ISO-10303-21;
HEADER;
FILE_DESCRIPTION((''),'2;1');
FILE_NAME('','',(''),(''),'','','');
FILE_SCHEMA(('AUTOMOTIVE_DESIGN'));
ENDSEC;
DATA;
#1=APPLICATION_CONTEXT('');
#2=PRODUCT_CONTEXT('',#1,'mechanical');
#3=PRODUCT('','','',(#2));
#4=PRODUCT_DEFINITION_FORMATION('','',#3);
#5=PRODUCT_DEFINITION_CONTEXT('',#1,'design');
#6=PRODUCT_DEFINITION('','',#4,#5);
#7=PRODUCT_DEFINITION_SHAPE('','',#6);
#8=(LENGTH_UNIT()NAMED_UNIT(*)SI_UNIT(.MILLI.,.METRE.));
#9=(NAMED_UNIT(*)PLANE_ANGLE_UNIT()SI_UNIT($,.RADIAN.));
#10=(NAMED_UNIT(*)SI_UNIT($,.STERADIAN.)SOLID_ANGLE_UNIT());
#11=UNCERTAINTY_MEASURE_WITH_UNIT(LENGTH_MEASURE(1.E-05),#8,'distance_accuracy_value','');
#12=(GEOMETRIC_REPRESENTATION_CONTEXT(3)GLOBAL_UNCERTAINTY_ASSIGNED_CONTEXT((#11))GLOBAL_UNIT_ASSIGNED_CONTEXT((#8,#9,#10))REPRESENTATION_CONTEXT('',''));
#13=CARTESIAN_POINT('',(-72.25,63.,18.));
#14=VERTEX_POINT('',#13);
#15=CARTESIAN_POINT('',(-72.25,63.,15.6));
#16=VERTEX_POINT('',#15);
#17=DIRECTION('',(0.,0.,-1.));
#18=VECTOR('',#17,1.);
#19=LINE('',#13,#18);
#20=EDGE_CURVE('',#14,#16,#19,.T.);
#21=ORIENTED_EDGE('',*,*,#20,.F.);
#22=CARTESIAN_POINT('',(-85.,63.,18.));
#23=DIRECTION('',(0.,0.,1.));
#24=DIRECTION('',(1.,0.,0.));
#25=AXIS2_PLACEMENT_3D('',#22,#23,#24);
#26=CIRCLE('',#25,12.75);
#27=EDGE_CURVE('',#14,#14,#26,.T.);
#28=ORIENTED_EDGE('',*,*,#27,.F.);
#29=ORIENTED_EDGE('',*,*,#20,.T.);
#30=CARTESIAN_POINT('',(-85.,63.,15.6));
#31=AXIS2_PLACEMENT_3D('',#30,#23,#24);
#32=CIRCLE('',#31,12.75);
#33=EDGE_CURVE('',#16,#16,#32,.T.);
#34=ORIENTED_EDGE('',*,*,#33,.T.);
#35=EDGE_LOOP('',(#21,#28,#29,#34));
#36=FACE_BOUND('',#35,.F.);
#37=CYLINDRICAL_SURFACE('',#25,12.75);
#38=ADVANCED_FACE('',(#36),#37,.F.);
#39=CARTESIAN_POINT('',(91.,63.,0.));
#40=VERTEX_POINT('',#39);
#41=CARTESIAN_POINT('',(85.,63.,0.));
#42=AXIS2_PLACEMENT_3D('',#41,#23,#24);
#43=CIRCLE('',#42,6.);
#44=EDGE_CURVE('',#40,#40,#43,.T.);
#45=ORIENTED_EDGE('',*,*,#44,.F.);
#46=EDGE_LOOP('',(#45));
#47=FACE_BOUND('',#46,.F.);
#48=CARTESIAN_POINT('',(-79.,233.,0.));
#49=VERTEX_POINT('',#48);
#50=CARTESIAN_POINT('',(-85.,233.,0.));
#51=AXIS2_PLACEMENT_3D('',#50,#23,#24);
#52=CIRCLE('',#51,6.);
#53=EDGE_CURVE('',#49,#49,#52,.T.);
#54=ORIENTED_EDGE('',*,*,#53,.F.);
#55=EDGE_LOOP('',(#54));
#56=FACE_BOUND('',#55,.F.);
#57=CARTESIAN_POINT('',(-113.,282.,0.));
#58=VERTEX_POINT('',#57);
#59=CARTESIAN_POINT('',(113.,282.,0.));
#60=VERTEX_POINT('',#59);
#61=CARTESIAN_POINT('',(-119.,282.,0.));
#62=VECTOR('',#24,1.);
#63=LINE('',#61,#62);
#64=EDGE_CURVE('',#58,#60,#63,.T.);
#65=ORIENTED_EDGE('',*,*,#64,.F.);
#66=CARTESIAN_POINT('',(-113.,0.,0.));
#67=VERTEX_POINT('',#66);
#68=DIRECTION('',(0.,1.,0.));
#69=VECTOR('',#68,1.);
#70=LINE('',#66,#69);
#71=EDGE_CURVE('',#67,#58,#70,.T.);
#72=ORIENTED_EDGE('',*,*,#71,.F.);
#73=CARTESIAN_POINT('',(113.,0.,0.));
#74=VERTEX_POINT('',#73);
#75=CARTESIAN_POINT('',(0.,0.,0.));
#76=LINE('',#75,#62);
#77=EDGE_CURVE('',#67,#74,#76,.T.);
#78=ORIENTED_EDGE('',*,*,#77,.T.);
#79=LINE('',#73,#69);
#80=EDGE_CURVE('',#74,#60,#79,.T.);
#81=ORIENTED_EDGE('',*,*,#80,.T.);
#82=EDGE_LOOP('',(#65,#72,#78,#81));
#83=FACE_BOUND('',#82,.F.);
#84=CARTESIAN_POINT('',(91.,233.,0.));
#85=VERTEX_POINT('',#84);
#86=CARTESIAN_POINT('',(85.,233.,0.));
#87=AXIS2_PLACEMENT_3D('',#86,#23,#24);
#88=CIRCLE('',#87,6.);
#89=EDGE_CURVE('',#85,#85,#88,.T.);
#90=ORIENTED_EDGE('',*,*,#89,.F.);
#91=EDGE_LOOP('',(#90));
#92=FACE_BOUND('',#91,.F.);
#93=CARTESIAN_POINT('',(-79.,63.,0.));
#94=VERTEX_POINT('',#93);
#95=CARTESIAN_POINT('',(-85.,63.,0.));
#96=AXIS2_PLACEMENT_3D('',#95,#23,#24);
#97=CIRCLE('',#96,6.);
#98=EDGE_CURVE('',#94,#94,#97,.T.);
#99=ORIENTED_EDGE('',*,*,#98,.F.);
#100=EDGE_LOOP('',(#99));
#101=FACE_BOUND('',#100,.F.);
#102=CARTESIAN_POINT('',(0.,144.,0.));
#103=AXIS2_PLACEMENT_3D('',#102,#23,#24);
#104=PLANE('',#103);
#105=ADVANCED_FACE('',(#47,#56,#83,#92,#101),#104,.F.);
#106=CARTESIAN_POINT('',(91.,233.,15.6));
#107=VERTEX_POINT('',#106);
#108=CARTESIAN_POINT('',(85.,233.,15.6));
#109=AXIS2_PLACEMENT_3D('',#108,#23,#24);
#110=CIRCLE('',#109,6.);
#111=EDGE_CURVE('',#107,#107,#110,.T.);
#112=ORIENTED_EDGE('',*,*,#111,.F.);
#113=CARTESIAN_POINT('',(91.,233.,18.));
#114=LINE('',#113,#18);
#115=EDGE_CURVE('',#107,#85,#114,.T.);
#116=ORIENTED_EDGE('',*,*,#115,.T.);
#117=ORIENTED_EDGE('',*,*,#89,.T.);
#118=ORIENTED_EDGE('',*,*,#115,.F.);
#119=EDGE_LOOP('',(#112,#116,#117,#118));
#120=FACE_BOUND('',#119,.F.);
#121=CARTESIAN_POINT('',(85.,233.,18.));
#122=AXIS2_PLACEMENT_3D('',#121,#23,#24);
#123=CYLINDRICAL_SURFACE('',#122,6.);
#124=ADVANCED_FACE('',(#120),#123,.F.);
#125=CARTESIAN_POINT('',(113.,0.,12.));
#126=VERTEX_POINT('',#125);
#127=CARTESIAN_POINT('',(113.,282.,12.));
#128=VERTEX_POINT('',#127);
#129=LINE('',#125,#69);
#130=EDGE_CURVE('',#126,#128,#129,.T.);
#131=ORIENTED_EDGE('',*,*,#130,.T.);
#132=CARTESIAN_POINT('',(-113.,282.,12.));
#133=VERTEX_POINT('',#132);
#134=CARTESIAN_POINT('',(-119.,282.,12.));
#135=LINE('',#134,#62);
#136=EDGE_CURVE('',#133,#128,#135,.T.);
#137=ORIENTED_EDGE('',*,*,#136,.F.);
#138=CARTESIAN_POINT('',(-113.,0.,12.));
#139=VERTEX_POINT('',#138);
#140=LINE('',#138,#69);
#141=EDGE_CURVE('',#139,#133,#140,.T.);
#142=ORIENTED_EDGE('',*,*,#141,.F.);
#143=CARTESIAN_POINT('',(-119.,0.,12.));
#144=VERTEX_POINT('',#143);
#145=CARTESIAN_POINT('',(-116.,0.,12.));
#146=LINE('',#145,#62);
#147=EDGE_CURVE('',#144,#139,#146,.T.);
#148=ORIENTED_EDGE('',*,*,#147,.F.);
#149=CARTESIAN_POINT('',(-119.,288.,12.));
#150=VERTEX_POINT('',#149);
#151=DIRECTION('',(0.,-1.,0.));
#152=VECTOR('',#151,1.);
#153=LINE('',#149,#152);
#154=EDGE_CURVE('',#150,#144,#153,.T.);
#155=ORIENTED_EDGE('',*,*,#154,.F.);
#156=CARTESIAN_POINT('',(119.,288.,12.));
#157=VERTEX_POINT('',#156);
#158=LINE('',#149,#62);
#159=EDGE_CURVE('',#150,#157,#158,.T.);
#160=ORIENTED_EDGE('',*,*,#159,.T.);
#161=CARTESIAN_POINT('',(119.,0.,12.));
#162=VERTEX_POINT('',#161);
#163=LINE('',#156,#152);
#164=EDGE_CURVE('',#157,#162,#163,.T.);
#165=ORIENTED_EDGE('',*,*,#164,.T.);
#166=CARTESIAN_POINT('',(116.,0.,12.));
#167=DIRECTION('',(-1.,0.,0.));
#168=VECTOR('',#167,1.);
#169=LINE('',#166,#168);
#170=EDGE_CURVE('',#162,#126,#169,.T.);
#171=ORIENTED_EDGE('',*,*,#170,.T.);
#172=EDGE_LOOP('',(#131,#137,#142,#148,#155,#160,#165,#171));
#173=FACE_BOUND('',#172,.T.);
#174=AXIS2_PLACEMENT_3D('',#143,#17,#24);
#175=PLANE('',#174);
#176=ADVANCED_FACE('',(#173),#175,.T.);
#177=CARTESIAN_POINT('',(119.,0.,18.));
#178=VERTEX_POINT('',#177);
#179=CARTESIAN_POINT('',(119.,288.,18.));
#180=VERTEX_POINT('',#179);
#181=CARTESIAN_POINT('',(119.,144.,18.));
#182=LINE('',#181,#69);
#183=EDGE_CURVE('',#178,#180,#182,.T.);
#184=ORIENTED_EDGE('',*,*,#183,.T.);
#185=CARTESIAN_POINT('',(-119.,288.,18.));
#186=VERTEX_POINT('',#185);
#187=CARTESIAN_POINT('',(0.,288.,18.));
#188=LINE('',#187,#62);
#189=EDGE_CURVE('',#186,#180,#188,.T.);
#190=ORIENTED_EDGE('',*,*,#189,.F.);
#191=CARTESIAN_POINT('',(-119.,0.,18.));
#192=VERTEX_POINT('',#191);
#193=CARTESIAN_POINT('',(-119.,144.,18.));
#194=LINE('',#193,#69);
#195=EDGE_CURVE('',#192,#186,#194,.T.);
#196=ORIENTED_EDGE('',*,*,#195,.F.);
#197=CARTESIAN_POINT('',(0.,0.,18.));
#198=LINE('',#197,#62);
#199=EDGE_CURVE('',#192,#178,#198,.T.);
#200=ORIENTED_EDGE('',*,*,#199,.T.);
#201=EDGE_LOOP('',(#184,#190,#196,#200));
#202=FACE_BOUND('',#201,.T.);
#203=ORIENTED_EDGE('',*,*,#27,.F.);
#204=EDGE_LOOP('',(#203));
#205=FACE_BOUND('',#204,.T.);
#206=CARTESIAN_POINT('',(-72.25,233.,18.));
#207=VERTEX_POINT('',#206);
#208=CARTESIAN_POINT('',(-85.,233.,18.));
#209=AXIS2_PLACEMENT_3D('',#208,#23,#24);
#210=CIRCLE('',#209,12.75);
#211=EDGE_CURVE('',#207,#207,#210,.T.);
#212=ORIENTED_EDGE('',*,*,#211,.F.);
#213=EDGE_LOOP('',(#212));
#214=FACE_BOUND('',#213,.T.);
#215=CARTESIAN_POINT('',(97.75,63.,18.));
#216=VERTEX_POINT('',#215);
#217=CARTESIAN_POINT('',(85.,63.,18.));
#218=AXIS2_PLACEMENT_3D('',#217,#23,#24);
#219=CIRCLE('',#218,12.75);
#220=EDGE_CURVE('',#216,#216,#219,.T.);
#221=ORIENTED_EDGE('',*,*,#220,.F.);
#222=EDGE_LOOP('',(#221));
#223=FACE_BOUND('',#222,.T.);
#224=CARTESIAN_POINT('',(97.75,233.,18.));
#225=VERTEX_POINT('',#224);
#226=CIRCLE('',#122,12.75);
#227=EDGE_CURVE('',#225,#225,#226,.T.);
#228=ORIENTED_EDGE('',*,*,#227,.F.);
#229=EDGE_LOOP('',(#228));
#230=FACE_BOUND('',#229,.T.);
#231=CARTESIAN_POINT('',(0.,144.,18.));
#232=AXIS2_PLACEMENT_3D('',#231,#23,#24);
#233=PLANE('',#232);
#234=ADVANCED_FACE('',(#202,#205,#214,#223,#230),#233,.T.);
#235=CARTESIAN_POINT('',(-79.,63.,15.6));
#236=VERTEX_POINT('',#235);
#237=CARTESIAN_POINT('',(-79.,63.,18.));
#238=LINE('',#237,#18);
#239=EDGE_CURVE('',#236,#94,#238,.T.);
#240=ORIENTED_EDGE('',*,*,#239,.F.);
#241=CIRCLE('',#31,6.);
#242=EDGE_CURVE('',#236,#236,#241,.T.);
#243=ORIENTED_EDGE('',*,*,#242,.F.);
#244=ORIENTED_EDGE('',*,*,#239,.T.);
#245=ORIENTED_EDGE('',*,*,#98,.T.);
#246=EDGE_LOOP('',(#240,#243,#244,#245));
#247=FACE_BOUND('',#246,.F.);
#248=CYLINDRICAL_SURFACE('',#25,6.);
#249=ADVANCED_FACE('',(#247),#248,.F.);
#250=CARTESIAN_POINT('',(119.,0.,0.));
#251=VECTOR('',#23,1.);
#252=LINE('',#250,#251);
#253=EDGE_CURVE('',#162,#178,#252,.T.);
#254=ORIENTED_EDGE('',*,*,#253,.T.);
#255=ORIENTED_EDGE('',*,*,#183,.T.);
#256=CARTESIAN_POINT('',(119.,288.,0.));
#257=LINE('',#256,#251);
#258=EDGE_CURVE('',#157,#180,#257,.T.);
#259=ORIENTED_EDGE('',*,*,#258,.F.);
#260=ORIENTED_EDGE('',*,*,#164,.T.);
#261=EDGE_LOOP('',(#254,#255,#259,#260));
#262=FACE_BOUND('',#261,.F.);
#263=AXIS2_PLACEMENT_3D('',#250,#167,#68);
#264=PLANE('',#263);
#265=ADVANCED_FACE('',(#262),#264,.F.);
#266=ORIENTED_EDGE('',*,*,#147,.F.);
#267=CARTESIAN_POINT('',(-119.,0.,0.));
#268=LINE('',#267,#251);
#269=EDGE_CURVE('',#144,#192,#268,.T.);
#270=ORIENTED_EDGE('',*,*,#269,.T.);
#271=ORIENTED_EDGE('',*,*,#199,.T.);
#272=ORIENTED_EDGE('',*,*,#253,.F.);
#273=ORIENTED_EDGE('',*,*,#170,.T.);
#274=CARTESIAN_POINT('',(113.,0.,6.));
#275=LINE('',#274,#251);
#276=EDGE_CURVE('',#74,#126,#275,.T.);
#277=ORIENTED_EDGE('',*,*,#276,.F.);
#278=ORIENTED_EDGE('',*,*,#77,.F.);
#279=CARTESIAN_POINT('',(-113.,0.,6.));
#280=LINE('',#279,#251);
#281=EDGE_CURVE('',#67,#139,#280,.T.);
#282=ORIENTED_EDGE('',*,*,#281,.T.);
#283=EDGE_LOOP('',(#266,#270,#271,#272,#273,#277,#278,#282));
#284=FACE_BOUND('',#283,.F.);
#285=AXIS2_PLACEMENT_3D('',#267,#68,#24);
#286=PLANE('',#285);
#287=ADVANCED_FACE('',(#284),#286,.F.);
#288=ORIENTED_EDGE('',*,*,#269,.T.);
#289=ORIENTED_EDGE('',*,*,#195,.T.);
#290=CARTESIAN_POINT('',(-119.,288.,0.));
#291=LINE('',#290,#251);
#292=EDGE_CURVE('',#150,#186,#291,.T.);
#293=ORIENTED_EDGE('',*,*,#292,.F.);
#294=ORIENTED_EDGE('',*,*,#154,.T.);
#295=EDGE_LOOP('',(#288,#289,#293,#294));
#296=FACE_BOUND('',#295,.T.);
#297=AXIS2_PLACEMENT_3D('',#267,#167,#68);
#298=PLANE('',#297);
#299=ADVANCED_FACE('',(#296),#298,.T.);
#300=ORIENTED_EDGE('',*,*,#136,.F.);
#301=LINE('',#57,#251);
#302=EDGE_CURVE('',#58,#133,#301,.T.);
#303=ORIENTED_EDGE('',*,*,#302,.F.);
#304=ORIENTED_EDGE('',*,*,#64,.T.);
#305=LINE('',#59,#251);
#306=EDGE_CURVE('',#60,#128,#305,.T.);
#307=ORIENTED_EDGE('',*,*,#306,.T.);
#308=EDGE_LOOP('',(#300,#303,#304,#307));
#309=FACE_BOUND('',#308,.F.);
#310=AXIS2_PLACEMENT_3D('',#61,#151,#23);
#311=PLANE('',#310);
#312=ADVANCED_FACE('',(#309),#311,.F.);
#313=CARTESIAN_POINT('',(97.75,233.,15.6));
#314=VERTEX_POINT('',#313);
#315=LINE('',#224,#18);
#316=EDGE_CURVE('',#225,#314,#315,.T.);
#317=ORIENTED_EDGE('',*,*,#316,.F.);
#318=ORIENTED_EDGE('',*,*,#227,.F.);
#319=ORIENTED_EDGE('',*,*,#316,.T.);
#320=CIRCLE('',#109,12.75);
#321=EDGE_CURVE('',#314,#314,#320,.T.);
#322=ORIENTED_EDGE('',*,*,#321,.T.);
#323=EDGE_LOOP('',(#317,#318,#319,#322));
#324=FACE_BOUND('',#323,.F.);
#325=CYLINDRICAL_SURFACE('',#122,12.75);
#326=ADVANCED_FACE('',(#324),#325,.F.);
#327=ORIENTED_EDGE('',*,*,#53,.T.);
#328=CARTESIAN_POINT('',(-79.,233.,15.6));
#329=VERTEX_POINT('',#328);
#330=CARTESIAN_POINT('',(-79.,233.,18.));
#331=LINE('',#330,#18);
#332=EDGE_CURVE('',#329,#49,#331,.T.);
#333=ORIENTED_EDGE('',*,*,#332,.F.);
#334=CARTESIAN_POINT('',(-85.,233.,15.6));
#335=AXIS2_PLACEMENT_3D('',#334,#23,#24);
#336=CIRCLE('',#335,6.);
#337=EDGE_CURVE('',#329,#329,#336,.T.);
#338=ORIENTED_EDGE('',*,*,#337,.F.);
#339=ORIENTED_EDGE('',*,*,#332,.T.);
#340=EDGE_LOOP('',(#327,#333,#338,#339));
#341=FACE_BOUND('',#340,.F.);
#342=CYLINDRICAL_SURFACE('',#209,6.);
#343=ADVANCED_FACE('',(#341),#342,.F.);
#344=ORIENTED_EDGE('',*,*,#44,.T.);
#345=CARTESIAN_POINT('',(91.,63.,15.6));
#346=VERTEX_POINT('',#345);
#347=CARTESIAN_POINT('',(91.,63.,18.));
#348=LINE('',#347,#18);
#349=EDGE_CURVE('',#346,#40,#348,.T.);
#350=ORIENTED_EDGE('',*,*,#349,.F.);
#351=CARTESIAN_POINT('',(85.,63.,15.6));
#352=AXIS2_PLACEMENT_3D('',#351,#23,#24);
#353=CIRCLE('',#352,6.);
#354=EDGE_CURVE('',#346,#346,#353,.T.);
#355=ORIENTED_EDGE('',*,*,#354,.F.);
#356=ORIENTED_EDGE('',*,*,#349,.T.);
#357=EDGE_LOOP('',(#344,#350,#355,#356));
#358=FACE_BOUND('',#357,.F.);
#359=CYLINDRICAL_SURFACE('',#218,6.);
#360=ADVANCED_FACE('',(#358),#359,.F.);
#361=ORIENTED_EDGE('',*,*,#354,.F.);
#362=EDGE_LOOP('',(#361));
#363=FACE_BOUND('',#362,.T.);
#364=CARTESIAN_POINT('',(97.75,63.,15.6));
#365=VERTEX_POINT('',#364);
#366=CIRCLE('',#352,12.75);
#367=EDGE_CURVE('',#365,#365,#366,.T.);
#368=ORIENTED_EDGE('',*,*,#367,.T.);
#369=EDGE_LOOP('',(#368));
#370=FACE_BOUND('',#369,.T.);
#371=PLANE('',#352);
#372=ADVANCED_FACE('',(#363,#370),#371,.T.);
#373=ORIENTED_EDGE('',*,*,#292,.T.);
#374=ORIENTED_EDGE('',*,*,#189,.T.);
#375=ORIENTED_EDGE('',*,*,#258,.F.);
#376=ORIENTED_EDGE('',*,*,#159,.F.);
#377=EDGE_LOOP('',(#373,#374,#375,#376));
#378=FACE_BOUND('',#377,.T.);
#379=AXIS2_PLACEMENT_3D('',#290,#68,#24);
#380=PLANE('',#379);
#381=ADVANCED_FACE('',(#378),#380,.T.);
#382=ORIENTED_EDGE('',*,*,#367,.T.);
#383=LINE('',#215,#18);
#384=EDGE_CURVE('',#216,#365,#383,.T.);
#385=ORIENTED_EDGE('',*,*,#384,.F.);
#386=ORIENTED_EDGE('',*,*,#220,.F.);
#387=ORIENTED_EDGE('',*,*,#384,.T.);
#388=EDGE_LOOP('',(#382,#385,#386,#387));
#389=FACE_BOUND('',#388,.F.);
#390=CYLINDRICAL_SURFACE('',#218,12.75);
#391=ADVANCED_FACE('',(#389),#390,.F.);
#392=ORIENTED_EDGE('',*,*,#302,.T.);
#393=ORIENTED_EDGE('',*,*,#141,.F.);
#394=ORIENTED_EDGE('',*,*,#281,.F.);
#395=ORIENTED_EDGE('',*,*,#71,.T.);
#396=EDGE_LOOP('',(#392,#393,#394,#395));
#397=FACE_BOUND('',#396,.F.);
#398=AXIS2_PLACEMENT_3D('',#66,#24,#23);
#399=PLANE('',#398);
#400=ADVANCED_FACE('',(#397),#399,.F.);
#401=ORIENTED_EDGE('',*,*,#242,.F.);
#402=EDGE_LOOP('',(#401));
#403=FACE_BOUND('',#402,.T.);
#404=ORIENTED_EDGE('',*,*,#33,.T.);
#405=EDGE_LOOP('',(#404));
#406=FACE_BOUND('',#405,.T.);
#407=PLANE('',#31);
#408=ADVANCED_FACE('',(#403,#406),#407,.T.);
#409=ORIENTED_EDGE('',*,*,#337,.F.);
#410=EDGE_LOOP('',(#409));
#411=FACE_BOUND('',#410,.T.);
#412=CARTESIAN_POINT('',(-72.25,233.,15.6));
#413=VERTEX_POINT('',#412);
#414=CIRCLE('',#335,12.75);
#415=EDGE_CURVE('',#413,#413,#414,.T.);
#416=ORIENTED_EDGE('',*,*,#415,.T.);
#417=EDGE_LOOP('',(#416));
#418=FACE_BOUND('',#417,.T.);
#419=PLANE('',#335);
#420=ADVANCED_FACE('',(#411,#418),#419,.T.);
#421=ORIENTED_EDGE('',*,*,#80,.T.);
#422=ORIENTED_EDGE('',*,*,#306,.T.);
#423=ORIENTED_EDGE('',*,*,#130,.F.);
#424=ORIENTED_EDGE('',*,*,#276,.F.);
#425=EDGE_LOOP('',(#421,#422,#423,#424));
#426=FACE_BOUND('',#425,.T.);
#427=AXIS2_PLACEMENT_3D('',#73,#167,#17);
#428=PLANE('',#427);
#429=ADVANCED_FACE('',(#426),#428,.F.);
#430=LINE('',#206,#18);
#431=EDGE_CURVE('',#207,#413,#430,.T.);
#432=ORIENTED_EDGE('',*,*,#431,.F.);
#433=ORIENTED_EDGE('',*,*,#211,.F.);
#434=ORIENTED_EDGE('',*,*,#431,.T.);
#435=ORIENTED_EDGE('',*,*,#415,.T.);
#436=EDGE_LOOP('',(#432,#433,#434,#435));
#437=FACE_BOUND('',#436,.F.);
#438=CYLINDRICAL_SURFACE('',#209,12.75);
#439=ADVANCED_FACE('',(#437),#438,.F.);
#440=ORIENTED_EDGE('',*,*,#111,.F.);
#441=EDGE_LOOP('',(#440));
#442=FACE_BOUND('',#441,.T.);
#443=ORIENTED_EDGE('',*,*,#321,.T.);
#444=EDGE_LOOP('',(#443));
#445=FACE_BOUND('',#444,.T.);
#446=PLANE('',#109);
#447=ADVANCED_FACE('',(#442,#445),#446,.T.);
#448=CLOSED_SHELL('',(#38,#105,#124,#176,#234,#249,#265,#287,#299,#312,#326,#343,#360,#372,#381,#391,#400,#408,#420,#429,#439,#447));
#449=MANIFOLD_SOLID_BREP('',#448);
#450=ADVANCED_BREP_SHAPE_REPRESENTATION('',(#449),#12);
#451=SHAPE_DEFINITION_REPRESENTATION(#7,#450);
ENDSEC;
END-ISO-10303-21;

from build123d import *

# Parameters (mm, degrees)
SKETCH016_W     = 238
SKETCH016_H     = 288
PAD006_DEPTH    = 18
SKETCH018_W     = 6
SKETCH018_H     = 12
POCKET010_DEPTH = 238
SKETCH017_W     = 6
SKETCH017_H     = 12
POCKET011_DEPTH = 288
SKETCH019_R     = 6
POCKET012_DEPTH = 18
SKETCH020_R     = 12.75
POCKET013_DEPTH = 2.4


with BuildPart() as part:
    # Sketch016 → Pad006 (new body)
    with BuildSketch(Plane.XY):
        with Locations((0, 144)):
            Rectangle(SKETCH016_W, SKETCH016_H)
    extrude(amount=PAD006_DEPTH)

    # Sketch018 → Pocket010 (cut)
    with BuildSketch(Plane(origin=(-119, 0, 0), x_dir=(0, -1, 0), z_dir=(-1, 0, 0))):
        with Locations((-285, 6)):
            Rectangle(SKETCH018_W, SKETCH018_H)
    extrude(amount=-POCKET010_DEPTH, mode=Mode.SUBTRACT)

    # Sketch017 → Pocket011 (cut)
    with BuildSketch(Plane.XZ):
        with Locations((-116, 6)):
            Rectangle(SKETCH017_W, SKETCH017_H)
    pocket011 = extrude(amount=-POCKET011_DEPTH, mode=Mode.SUBTRACT)

    # Mirrored001: Pocket011 across Sketch017 V_Axis
    add(pocket011.mirror(Plane(origin=(0, 0, 0), x_dir=(0, -1, 0), z_dir=(1, 0, 0))), mode=Mode.SUBTRACT)

    # Sketch019 → Pocket012 (cut)
    with BuildSketch(Plane.XY.offset(18)):
        with Locations((-85, 63)):
            Circle(SKETCH019_R)
        with Locations((-85, 233)):
            Circle(SKETCH019_R)
        with Locations((85, 233)):
            Circle(SKETCH019_R)
        with Locations((85, 63)):
            Circle(SKETCH019_R)
    extrude(amount=-POCKET012_DEPTH, mode=Mode.SUBTRACT)

    # Sketch020 → Pocket013 (cut)
    with BuildSketch(Plane.XY.offset(18)):
        with Locations((-85, 63)):
            Circle(SKETCH020_R)
        with Locations((85, 63)):
            Circle(SKETCH020_R)
        with Locations((85, 233)):
            Circle(SKETCH020_R)
        with Locations((-85, 233)):
            Circle(SKETCH020_R)
    extrude(amount=-POCKET013_DEPTH, mode=Mode.SUBTRACT)


solid = part.part
